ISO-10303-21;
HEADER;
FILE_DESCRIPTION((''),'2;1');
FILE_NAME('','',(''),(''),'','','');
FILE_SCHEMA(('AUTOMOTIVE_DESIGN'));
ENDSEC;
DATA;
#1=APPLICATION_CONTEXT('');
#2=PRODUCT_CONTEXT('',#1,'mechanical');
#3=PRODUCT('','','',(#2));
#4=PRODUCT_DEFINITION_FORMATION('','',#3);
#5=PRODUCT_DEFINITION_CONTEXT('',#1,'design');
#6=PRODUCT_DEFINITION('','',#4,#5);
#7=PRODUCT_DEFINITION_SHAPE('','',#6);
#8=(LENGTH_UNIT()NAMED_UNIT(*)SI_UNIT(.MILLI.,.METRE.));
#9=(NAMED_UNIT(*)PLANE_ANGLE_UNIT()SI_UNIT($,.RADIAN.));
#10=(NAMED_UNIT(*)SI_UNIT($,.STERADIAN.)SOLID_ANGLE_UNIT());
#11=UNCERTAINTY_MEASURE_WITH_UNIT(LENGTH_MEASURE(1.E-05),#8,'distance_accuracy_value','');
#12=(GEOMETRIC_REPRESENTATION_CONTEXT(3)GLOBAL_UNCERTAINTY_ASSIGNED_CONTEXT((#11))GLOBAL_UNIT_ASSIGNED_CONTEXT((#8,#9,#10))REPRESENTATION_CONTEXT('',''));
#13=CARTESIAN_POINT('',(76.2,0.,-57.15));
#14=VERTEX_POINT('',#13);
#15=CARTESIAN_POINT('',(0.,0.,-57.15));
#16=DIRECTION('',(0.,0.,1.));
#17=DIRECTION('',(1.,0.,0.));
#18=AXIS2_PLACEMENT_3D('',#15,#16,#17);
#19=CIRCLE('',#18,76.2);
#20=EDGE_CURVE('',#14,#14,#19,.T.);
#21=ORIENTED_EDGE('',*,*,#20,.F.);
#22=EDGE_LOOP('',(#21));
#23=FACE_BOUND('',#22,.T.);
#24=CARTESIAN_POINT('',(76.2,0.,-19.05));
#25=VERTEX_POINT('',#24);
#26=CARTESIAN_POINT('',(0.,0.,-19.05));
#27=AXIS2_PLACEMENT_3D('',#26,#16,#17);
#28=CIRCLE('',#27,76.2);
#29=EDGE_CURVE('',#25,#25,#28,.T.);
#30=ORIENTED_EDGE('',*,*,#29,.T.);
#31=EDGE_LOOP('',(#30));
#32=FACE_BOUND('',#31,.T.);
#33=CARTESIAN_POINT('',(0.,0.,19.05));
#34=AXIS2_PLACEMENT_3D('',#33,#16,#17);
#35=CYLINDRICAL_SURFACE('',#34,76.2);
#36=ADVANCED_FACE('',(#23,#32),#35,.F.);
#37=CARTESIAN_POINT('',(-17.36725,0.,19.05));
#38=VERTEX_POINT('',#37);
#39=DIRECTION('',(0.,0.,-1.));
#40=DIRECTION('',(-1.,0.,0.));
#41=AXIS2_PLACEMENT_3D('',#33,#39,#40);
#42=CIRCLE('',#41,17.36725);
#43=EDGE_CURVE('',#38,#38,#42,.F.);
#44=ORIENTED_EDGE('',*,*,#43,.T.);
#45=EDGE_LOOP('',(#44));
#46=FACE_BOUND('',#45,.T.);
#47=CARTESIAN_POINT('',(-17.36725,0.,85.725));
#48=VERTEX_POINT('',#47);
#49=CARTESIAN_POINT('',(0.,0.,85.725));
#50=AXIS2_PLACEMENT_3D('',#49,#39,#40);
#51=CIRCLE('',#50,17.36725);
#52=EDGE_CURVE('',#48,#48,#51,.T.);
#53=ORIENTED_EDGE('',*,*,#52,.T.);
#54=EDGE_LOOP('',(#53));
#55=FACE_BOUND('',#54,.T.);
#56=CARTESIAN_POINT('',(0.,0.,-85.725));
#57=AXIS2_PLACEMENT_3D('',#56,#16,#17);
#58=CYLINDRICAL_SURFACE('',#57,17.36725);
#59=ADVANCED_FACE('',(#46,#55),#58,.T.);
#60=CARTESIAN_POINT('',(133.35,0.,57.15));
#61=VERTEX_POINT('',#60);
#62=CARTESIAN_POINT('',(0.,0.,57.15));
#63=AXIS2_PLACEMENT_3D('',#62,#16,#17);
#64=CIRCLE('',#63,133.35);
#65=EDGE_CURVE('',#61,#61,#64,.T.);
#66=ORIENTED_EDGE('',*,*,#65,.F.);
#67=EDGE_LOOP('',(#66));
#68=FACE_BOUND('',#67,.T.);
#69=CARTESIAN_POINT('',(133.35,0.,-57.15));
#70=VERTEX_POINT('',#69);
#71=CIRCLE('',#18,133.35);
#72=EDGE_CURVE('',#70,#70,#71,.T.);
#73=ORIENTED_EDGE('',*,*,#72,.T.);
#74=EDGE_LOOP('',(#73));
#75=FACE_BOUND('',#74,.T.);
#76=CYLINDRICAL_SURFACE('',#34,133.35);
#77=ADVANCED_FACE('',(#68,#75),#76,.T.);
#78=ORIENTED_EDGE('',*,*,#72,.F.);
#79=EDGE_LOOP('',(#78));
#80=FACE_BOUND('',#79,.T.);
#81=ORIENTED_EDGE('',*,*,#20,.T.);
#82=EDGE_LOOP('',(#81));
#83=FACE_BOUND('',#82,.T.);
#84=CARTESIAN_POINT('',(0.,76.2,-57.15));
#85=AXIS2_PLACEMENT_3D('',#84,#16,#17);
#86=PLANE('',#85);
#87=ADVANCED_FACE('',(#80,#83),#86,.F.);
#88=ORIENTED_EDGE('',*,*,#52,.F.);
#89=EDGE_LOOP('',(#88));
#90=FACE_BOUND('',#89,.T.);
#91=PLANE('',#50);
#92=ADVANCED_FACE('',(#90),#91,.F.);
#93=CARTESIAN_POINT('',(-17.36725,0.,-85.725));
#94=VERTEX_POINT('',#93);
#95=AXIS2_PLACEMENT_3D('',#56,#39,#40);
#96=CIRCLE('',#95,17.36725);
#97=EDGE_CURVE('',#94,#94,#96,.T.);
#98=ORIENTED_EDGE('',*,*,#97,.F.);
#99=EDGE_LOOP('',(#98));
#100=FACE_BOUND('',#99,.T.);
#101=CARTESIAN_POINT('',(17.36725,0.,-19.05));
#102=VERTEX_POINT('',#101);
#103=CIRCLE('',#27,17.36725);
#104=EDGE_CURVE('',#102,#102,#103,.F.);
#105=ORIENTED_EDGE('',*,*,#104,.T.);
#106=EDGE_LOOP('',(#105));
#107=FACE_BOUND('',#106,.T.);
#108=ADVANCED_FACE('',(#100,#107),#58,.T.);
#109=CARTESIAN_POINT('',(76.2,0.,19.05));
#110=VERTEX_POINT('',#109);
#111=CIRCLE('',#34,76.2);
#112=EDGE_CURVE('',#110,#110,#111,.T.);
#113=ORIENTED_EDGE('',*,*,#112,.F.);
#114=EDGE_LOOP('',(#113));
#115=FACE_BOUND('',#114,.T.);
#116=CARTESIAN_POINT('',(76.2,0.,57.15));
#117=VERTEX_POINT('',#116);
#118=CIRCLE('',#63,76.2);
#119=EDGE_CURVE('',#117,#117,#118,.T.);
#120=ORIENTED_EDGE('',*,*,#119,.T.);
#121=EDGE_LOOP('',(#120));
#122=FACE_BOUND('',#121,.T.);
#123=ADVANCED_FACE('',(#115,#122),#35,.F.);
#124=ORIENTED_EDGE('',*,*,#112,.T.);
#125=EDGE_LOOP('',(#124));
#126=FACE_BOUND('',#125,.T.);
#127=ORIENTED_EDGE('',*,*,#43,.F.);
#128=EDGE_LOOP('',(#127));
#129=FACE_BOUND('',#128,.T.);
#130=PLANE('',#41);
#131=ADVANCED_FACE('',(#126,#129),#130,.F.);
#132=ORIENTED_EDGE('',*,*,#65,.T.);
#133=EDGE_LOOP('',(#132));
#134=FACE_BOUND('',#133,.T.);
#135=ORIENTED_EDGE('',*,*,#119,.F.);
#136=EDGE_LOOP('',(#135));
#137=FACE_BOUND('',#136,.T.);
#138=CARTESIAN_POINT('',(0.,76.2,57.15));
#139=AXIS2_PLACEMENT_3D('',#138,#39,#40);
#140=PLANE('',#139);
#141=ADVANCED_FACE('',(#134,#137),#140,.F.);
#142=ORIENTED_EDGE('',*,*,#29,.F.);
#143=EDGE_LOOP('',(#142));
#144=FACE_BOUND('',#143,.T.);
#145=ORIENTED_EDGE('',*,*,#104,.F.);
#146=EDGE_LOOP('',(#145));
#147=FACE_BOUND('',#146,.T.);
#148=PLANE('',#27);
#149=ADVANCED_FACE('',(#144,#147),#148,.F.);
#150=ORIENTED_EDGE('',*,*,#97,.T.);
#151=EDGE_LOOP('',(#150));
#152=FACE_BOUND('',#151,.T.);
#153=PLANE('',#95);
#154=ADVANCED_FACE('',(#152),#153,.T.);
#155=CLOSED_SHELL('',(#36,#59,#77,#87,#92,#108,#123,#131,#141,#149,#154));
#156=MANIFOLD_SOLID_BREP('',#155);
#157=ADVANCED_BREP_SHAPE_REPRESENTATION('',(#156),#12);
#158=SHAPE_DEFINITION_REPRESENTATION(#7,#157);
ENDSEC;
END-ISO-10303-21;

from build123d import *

# Parameters (mm, degrees)
SKETCH4_R           = 17.36725
BOSS_EXTRUDE1_DEPTH = 85.725


with BuildPart() as part:
    # Sketch1 → Revolve1 (revolve)
    with BuildSketch(Plane(origin=(0, 0, 0), x_dir=(0, 0, -1), z_dir=(1, 0, 0))):
        Polygon((-57.15, 76.2), (-57.15, 133.35), (57.15, 133.35), (57.15, 76.2), (19.05, 76.2), (19.05, 0), (-19.05, 0), (-19.05, 76.2), align=None)
    revolve(axis=Axis((0, 0, 19.05), (0, 0, -1)))

    # Sketch4 → Boss-Extrude1 (add, symmetric)
    with BuildSketch(Plane(origin=(0, 0, 0), x_dir=(-1, 0, 0), z_dir=(0, 0, -1))):
        Circle(SKETCH4_R)
    extrude(amount=BOSS_EXTRUDE1_DEPTH, both=True)


solid = part.part
